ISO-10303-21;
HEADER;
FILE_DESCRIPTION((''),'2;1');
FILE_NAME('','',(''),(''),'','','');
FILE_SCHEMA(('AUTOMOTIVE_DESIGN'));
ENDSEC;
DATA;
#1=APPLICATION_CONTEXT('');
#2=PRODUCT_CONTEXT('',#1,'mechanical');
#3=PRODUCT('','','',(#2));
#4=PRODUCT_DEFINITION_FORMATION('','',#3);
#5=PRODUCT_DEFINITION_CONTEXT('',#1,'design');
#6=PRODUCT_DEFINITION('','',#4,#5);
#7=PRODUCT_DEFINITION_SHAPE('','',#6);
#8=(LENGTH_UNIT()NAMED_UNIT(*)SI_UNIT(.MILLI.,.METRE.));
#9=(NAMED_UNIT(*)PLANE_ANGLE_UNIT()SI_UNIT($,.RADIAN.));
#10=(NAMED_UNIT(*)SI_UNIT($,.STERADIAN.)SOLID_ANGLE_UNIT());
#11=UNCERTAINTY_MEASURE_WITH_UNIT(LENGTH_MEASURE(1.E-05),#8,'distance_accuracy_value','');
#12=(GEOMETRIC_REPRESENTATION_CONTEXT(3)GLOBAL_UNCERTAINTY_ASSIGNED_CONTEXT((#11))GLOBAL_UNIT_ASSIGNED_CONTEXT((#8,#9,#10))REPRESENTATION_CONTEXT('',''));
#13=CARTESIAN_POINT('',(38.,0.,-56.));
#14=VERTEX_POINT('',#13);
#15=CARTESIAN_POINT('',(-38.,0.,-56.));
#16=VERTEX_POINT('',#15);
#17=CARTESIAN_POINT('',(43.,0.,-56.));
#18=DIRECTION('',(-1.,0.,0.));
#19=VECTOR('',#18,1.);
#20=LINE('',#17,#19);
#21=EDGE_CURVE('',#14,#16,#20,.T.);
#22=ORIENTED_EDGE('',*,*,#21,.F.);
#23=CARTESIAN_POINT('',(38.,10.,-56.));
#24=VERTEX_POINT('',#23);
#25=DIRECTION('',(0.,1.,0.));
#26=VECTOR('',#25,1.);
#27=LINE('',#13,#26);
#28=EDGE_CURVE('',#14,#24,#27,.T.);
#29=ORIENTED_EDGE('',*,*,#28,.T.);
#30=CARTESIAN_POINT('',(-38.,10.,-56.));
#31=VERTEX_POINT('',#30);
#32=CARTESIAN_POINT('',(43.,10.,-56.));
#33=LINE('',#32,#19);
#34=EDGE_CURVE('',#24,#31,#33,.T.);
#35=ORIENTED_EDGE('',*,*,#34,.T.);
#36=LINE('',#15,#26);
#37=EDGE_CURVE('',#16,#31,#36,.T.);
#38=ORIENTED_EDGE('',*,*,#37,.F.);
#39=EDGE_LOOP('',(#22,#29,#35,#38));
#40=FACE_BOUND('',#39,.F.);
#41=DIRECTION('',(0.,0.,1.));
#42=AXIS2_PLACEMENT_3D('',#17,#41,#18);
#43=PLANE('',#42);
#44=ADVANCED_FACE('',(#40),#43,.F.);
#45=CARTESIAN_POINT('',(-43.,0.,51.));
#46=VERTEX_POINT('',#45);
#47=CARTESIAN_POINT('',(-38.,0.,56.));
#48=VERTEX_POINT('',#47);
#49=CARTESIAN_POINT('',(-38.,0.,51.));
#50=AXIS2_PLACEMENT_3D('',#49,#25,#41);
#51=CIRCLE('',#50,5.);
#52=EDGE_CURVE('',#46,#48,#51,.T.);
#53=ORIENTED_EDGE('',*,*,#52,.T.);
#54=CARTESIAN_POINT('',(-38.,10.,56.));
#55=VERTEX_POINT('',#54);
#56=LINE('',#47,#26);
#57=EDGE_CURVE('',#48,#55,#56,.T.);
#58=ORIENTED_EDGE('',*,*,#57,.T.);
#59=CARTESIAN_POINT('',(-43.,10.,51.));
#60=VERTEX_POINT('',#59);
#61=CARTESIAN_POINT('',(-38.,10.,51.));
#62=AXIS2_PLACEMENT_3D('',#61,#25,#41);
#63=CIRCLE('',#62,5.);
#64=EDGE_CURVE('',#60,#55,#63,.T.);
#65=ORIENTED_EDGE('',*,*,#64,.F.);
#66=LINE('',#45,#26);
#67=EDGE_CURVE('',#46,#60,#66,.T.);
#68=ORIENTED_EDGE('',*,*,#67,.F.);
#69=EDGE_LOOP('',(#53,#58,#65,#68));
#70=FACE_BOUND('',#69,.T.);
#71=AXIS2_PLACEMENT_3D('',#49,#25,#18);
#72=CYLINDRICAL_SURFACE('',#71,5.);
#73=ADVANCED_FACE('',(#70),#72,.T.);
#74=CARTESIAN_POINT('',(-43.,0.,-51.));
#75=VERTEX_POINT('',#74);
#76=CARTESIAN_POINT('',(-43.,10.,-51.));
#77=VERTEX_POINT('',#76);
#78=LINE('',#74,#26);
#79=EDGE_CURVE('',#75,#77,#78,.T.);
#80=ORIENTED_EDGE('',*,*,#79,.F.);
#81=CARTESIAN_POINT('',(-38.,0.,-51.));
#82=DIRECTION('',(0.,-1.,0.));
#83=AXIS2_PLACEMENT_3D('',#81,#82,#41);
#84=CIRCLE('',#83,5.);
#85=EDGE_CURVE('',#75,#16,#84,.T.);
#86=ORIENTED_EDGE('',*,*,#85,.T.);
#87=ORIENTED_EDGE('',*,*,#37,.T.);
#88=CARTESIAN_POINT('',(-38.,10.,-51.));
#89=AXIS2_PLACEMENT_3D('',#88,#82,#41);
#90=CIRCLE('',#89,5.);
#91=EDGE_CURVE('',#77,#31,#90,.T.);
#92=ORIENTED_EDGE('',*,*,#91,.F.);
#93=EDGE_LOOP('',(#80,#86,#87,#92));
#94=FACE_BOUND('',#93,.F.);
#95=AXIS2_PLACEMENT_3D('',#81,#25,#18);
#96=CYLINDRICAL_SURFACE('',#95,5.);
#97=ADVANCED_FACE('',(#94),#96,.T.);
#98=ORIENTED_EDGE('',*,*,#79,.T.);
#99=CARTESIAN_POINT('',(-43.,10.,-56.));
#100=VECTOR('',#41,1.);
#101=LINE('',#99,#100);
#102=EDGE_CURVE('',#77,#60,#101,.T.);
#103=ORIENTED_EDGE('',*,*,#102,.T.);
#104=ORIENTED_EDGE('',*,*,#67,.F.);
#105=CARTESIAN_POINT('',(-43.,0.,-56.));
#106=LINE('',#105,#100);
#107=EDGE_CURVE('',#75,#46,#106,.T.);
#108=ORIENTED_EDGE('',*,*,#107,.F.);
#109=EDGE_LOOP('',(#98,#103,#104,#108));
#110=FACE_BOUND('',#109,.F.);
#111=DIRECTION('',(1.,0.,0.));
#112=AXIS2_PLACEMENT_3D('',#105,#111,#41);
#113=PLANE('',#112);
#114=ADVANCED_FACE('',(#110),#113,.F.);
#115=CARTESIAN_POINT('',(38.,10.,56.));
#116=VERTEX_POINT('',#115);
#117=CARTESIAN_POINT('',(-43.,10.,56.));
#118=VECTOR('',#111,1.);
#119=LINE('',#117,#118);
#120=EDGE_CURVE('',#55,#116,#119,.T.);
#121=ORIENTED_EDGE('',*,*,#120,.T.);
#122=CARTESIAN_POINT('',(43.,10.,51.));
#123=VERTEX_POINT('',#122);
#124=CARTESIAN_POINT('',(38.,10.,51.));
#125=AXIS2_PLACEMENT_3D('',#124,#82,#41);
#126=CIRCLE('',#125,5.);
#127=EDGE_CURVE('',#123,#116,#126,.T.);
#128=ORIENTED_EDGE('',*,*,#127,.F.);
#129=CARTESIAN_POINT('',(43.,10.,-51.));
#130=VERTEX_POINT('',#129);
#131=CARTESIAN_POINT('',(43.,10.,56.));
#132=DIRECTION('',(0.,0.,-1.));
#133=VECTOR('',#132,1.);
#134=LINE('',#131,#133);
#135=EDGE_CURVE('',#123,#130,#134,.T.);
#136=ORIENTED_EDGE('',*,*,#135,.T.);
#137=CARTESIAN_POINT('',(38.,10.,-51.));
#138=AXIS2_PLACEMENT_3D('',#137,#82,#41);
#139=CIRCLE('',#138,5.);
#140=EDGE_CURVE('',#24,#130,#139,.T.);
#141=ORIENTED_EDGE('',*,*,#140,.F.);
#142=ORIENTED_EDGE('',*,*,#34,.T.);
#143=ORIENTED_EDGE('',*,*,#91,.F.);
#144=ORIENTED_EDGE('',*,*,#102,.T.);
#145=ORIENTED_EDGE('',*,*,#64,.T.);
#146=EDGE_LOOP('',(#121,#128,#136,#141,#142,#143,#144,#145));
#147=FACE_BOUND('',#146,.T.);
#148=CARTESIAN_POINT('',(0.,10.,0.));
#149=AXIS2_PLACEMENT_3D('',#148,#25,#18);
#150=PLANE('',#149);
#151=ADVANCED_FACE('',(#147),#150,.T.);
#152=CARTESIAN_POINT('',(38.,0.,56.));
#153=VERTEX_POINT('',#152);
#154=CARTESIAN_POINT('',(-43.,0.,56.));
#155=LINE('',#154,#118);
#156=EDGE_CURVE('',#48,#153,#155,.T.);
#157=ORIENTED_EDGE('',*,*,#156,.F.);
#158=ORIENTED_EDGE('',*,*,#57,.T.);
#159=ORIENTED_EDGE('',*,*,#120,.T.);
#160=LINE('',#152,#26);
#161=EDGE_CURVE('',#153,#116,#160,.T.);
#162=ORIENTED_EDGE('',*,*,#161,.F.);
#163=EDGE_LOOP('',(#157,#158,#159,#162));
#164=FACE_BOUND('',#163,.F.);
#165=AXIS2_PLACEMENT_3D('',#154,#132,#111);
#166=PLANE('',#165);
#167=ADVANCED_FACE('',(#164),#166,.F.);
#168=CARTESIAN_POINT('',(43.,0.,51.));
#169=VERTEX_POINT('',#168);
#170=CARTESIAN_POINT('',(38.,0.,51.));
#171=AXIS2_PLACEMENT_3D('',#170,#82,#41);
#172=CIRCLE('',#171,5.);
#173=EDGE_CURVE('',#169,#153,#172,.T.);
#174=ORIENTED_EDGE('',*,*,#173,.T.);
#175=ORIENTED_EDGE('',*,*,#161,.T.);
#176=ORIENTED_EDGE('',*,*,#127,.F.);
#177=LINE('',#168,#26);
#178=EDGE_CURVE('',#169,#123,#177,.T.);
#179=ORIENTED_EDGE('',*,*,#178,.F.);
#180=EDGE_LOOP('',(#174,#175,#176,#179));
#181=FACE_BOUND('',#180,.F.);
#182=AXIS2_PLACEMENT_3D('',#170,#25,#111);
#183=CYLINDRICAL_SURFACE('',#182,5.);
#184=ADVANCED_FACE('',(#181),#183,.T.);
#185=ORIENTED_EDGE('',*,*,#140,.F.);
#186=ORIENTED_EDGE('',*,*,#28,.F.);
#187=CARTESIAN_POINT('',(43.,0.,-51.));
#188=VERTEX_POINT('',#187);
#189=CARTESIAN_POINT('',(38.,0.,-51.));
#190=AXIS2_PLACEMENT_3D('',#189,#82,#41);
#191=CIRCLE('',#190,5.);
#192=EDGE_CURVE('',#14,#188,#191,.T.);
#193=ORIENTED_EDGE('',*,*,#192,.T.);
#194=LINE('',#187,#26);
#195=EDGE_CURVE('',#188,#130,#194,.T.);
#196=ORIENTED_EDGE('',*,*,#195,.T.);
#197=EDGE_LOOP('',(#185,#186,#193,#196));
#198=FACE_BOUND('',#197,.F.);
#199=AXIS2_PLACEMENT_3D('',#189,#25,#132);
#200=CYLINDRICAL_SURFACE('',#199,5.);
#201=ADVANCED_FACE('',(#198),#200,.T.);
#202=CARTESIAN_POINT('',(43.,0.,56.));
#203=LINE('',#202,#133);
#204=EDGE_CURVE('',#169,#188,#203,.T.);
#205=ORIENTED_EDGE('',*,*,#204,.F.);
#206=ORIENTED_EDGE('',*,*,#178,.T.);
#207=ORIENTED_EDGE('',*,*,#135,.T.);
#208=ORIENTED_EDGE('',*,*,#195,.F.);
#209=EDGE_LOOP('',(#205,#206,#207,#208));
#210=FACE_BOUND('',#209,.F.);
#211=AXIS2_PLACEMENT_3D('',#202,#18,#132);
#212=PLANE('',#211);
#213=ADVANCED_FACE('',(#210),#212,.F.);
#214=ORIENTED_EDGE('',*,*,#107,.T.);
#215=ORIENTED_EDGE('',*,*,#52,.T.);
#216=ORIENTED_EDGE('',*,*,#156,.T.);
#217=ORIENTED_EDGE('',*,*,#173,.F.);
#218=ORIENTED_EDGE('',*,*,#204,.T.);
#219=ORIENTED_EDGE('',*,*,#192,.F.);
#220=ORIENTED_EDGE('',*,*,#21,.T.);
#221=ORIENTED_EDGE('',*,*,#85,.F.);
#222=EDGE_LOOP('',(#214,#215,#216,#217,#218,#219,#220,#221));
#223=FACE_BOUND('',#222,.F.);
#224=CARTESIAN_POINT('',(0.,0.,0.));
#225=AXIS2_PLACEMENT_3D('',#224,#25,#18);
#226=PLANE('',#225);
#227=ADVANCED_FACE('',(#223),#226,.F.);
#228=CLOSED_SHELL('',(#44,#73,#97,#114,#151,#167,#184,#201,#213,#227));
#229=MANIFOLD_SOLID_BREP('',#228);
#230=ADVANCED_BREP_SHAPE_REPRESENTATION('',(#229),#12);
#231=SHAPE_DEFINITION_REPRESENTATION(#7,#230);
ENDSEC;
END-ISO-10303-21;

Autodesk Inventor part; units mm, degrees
ref_plane "YZ Plane" through (0, 0, 0) normal (1, 0, 0) x (0, 1, 0)
ref_plane "XZ Plane" through (0, 0, 0) normal (0, 1, 0) x (-1, 0, 0)
ref_plane "XY Plane" through (0, 0, 0) normal (0, 0, 1) x (1, 0, 0)
sketch "Sketch1" plane through (0, 0, 0) normal (0, 1, 0) x (-1, 0, 0)
  line L0 (43, 56) -> (-43, 56)
  line L1 (-43, 56) -> (-43, -56)
  line L2 (-43, -56) -> (43, -56)
  line L3 (43, -56) -> (43, 56)
  line L4 (43, 56) -> (-43, -56) construction
  line L5 (-43, 56) -> (43, -56) construction
  point P0 (0, 0)
  dimension "d0" = 86
  dimension "d1" = 112
extrude "Extrusion1" add sketch "Sketch1" along normal blind 10
fillet "Fillet1" radius 5 4 edges at (-43, 5, 56) (43, 5, 56) (43, 5, -56) (-43, 5, -56)
properties part number "PLACA DE SOPORTE"
